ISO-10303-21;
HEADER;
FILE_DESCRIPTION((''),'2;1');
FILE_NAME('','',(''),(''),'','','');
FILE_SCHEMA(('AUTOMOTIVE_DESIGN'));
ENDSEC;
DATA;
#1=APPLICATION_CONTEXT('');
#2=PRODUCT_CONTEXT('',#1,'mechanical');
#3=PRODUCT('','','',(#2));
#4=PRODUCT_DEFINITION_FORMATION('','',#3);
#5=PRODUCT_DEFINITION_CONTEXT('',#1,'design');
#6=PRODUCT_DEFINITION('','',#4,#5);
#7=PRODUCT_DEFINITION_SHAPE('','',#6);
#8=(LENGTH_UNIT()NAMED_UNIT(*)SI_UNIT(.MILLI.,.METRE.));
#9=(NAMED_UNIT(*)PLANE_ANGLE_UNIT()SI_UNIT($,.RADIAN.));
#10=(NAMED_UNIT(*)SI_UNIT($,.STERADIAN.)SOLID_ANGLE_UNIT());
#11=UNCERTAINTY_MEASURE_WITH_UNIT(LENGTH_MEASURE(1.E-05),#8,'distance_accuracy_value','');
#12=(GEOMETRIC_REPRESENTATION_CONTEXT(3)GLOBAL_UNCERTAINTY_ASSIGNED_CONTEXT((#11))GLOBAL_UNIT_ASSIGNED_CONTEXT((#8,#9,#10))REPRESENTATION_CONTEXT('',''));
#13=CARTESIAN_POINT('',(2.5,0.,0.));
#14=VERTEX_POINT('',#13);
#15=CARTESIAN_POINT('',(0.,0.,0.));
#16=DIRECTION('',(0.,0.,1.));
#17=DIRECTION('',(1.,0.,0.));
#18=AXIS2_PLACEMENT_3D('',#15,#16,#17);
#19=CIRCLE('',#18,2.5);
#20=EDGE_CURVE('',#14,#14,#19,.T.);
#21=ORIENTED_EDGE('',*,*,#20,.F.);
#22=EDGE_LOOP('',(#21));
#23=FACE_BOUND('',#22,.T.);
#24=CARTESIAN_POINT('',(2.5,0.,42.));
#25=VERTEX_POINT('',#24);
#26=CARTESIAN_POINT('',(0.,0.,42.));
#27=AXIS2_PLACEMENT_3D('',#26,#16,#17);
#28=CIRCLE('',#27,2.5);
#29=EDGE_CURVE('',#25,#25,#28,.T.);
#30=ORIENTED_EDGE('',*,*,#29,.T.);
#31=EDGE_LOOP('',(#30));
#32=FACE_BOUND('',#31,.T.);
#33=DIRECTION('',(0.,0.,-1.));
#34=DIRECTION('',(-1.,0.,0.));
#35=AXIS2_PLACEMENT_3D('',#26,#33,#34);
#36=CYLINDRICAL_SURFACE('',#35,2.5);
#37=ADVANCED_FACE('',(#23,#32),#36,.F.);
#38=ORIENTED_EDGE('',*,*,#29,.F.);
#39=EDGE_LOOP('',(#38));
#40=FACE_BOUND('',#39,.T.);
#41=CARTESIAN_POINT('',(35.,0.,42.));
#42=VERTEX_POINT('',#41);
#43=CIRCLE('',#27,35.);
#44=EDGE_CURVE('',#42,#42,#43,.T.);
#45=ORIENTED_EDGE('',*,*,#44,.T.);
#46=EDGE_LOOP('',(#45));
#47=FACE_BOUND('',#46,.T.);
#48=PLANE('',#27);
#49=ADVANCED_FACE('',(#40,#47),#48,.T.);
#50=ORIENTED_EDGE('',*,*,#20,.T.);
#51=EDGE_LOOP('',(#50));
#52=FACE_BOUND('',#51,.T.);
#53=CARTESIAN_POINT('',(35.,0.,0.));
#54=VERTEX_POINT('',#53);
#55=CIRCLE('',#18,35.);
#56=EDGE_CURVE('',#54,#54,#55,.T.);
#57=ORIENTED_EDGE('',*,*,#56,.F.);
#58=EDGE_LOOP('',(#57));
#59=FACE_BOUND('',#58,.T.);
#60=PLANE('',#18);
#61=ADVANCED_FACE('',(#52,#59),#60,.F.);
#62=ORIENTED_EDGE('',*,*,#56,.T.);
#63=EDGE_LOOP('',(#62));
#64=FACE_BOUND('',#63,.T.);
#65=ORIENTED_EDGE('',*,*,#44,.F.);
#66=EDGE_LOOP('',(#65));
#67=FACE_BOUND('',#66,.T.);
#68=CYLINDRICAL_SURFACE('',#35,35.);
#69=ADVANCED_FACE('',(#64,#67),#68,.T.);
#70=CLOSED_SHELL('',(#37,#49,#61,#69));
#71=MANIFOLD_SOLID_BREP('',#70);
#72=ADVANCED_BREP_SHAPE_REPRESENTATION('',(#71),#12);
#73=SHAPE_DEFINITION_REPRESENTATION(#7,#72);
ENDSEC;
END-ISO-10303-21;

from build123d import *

# Parameters (mm, degrees)
SKETCH1_R           = 35
SKETCH1_R_2         = 2.5
BOSS_EXTRUDE1_DEPTH = 42


with BuildPart() as part:
    # Sketch1 → Boss-Extrude1 (new body)
    with BuildSketch(Plane.XY):
        Circle(SKETCH1_R)
        Circle(SKETCH1_R_2, mode=Mode.SUBTRACT)
    extrude(amount=BOSS_EXTRUDE1_DEPTH)


solid = part.part
